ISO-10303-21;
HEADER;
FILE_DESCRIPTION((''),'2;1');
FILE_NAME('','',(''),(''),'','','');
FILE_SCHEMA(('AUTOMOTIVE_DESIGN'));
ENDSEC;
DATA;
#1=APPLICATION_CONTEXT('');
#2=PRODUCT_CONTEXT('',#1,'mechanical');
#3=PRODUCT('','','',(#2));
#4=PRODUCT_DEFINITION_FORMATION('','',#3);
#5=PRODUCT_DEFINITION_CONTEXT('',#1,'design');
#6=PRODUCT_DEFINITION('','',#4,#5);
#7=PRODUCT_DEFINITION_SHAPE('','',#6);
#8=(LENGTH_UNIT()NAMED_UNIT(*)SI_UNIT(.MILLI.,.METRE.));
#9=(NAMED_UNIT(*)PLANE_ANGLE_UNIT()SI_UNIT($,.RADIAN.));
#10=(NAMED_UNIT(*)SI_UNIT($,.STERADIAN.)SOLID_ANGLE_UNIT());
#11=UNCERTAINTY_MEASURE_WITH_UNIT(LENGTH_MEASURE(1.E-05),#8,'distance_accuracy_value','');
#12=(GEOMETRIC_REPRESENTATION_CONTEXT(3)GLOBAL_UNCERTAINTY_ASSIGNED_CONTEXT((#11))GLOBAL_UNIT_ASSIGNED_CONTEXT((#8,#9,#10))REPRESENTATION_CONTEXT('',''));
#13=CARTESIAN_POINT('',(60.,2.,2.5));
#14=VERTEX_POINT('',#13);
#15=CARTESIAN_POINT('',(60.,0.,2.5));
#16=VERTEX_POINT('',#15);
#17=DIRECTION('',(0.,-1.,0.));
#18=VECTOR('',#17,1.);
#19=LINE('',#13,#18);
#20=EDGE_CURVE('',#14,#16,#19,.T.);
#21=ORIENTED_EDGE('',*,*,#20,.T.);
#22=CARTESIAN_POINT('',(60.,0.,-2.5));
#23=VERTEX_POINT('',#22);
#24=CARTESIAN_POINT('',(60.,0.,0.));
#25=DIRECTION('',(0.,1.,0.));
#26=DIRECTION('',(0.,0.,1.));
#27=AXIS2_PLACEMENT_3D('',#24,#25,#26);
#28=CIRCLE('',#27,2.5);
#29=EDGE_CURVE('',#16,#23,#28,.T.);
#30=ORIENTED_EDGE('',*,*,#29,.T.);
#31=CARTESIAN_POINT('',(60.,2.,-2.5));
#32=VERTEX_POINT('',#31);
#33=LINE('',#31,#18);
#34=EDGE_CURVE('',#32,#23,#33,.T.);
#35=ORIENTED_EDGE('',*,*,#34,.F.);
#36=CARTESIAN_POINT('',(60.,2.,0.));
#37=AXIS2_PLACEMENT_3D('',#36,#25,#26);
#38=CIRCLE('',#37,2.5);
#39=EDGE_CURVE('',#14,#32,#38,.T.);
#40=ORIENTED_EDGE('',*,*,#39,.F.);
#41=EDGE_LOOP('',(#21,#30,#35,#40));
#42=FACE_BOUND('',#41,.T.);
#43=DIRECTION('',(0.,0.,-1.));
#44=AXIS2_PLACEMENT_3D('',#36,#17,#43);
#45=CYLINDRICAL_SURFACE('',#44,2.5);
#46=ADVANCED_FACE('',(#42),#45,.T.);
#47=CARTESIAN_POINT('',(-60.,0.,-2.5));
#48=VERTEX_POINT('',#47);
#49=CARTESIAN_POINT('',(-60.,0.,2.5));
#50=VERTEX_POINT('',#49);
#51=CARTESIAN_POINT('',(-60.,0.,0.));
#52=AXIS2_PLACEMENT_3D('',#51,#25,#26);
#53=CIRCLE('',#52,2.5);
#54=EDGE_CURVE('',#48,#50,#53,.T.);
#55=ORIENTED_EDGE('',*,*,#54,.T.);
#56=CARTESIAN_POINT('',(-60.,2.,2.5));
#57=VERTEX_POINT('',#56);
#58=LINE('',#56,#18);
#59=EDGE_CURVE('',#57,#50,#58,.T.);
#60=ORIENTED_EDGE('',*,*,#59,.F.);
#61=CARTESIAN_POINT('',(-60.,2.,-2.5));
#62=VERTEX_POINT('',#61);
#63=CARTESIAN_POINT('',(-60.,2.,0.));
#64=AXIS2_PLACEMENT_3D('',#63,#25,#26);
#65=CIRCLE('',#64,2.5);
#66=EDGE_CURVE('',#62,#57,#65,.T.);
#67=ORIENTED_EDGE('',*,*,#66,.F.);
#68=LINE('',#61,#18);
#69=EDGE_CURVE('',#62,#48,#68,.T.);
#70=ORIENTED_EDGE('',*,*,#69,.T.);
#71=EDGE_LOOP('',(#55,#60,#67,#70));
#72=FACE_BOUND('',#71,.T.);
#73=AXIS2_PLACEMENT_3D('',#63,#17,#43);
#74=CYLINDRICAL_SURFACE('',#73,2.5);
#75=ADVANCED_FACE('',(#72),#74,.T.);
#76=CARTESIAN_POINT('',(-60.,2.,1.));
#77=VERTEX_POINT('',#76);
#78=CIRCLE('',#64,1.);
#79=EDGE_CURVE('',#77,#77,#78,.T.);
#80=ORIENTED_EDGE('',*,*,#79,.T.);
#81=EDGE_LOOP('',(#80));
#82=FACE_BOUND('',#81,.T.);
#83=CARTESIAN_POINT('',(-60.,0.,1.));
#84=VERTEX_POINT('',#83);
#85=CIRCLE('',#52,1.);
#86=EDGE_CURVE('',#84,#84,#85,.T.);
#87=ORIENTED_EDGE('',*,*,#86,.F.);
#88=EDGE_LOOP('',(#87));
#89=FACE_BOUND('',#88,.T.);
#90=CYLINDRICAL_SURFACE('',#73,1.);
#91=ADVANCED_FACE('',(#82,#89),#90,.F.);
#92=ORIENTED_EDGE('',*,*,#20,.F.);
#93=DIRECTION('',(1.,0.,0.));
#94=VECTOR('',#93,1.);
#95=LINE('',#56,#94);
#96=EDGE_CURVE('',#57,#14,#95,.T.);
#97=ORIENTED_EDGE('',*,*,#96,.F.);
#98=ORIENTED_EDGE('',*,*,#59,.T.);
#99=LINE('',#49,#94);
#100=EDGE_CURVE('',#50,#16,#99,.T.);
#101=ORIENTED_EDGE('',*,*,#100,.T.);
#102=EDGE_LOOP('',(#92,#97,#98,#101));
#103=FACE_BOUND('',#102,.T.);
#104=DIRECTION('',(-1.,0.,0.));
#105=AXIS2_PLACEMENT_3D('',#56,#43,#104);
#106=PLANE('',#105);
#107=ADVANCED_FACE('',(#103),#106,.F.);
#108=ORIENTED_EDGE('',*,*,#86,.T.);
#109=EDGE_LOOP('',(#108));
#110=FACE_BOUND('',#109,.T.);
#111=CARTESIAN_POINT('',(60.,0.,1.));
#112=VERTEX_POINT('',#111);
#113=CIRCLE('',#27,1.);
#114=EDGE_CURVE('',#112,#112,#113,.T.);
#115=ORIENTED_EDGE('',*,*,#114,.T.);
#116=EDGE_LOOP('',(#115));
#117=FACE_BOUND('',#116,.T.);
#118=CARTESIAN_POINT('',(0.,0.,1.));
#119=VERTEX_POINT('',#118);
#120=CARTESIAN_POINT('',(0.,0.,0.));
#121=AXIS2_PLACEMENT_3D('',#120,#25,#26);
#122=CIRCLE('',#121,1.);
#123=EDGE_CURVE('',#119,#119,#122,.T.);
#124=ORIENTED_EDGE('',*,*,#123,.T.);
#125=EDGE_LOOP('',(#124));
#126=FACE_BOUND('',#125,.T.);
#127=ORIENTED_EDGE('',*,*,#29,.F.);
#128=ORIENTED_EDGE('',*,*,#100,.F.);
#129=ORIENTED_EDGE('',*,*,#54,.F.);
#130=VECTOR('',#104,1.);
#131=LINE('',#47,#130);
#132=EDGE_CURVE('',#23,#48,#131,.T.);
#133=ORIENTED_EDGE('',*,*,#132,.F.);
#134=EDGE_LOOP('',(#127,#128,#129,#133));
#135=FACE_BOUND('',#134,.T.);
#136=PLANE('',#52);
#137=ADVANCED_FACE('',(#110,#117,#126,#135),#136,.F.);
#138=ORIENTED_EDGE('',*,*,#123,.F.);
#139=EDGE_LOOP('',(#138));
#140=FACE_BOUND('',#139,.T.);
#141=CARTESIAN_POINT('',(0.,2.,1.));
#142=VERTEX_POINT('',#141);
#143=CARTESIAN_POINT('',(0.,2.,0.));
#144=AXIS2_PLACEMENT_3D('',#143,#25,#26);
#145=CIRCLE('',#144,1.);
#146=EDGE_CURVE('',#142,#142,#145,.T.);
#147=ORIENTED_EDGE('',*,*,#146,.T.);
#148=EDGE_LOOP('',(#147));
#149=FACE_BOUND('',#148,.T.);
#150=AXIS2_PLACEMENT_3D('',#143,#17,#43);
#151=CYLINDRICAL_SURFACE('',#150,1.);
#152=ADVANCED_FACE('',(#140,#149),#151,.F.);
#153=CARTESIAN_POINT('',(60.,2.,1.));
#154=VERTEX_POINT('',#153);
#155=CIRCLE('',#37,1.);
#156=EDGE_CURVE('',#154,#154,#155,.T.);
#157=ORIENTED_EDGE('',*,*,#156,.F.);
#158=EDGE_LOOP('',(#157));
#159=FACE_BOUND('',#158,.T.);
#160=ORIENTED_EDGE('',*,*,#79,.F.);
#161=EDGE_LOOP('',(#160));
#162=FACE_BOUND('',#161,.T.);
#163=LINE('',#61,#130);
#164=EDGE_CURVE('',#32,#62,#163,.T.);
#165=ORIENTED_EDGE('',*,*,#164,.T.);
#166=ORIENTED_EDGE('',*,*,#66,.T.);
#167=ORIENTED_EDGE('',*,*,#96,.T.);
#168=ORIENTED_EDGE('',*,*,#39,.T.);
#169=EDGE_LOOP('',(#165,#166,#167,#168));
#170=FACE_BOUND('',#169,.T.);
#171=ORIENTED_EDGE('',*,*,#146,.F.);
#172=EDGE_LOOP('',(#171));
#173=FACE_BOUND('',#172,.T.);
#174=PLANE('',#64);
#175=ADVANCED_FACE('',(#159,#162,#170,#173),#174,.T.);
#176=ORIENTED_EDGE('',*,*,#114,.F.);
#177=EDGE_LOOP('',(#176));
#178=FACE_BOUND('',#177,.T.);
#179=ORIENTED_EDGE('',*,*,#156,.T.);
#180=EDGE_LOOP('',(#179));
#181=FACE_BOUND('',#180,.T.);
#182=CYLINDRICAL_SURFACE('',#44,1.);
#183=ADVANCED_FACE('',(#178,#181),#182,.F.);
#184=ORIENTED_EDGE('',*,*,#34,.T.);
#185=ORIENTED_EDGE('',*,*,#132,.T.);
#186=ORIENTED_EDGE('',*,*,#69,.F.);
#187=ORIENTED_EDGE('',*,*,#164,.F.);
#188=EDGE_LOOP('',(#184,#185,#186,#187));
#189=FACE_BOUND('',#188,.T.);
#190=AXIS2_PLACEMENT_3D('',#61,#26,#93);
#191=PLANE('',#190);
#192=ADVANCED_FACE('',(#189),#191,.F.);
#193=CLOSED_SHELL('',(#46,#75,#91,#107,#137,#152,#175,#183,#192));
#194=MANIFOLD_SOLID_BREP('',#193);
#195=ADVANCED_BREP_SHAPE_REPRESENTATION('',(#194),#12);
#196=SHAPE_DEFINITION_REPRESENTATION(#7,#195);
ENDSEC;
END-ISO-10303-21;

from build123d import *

# Parameters (mm, degrees)
SKETCH1_R           = 1
BOSS_EXTRUDE1_DEPTH = 2


with BuildPart() as part:
    # Sketch1 → Boss-Extrude1 (new body)
    with BuildSketch(Plane(origin=(0, 0, 0), x_dir=(1, 0, 0), z_dir=(0, 1, 0))):
        with BuildLine():
            Line((-60, 2.5), (60, 2.5))
            ThreePointArc((60, 2.5), (62.5, 0), (60, -2.5))
            Line((60, -2.5), (-60, -2.5))
            ThreePointArc((-60, -2.5), (-62.5, 0), (-60, 2.5))
        make_face()
        with Locations(Location((60, 0, 0), (0, 0, 270))):
            Circle(SKETCH1_R, mode=Mode.SUBTRACT)
        with Locations(Location((-60, 0, 0), (0, 0, 270))):
            Circle(SKETCH1_R, mode=Mode.SUBTRACT)
        with Locations(Location((0, 0, 0), (0, 0, 270))):
            Circle(SKETCH1_R, mode=Mode.SUBTRACT)
    extrude(amount=BOSS_EXTRUDE1_DEPTH)


solid = part.part
